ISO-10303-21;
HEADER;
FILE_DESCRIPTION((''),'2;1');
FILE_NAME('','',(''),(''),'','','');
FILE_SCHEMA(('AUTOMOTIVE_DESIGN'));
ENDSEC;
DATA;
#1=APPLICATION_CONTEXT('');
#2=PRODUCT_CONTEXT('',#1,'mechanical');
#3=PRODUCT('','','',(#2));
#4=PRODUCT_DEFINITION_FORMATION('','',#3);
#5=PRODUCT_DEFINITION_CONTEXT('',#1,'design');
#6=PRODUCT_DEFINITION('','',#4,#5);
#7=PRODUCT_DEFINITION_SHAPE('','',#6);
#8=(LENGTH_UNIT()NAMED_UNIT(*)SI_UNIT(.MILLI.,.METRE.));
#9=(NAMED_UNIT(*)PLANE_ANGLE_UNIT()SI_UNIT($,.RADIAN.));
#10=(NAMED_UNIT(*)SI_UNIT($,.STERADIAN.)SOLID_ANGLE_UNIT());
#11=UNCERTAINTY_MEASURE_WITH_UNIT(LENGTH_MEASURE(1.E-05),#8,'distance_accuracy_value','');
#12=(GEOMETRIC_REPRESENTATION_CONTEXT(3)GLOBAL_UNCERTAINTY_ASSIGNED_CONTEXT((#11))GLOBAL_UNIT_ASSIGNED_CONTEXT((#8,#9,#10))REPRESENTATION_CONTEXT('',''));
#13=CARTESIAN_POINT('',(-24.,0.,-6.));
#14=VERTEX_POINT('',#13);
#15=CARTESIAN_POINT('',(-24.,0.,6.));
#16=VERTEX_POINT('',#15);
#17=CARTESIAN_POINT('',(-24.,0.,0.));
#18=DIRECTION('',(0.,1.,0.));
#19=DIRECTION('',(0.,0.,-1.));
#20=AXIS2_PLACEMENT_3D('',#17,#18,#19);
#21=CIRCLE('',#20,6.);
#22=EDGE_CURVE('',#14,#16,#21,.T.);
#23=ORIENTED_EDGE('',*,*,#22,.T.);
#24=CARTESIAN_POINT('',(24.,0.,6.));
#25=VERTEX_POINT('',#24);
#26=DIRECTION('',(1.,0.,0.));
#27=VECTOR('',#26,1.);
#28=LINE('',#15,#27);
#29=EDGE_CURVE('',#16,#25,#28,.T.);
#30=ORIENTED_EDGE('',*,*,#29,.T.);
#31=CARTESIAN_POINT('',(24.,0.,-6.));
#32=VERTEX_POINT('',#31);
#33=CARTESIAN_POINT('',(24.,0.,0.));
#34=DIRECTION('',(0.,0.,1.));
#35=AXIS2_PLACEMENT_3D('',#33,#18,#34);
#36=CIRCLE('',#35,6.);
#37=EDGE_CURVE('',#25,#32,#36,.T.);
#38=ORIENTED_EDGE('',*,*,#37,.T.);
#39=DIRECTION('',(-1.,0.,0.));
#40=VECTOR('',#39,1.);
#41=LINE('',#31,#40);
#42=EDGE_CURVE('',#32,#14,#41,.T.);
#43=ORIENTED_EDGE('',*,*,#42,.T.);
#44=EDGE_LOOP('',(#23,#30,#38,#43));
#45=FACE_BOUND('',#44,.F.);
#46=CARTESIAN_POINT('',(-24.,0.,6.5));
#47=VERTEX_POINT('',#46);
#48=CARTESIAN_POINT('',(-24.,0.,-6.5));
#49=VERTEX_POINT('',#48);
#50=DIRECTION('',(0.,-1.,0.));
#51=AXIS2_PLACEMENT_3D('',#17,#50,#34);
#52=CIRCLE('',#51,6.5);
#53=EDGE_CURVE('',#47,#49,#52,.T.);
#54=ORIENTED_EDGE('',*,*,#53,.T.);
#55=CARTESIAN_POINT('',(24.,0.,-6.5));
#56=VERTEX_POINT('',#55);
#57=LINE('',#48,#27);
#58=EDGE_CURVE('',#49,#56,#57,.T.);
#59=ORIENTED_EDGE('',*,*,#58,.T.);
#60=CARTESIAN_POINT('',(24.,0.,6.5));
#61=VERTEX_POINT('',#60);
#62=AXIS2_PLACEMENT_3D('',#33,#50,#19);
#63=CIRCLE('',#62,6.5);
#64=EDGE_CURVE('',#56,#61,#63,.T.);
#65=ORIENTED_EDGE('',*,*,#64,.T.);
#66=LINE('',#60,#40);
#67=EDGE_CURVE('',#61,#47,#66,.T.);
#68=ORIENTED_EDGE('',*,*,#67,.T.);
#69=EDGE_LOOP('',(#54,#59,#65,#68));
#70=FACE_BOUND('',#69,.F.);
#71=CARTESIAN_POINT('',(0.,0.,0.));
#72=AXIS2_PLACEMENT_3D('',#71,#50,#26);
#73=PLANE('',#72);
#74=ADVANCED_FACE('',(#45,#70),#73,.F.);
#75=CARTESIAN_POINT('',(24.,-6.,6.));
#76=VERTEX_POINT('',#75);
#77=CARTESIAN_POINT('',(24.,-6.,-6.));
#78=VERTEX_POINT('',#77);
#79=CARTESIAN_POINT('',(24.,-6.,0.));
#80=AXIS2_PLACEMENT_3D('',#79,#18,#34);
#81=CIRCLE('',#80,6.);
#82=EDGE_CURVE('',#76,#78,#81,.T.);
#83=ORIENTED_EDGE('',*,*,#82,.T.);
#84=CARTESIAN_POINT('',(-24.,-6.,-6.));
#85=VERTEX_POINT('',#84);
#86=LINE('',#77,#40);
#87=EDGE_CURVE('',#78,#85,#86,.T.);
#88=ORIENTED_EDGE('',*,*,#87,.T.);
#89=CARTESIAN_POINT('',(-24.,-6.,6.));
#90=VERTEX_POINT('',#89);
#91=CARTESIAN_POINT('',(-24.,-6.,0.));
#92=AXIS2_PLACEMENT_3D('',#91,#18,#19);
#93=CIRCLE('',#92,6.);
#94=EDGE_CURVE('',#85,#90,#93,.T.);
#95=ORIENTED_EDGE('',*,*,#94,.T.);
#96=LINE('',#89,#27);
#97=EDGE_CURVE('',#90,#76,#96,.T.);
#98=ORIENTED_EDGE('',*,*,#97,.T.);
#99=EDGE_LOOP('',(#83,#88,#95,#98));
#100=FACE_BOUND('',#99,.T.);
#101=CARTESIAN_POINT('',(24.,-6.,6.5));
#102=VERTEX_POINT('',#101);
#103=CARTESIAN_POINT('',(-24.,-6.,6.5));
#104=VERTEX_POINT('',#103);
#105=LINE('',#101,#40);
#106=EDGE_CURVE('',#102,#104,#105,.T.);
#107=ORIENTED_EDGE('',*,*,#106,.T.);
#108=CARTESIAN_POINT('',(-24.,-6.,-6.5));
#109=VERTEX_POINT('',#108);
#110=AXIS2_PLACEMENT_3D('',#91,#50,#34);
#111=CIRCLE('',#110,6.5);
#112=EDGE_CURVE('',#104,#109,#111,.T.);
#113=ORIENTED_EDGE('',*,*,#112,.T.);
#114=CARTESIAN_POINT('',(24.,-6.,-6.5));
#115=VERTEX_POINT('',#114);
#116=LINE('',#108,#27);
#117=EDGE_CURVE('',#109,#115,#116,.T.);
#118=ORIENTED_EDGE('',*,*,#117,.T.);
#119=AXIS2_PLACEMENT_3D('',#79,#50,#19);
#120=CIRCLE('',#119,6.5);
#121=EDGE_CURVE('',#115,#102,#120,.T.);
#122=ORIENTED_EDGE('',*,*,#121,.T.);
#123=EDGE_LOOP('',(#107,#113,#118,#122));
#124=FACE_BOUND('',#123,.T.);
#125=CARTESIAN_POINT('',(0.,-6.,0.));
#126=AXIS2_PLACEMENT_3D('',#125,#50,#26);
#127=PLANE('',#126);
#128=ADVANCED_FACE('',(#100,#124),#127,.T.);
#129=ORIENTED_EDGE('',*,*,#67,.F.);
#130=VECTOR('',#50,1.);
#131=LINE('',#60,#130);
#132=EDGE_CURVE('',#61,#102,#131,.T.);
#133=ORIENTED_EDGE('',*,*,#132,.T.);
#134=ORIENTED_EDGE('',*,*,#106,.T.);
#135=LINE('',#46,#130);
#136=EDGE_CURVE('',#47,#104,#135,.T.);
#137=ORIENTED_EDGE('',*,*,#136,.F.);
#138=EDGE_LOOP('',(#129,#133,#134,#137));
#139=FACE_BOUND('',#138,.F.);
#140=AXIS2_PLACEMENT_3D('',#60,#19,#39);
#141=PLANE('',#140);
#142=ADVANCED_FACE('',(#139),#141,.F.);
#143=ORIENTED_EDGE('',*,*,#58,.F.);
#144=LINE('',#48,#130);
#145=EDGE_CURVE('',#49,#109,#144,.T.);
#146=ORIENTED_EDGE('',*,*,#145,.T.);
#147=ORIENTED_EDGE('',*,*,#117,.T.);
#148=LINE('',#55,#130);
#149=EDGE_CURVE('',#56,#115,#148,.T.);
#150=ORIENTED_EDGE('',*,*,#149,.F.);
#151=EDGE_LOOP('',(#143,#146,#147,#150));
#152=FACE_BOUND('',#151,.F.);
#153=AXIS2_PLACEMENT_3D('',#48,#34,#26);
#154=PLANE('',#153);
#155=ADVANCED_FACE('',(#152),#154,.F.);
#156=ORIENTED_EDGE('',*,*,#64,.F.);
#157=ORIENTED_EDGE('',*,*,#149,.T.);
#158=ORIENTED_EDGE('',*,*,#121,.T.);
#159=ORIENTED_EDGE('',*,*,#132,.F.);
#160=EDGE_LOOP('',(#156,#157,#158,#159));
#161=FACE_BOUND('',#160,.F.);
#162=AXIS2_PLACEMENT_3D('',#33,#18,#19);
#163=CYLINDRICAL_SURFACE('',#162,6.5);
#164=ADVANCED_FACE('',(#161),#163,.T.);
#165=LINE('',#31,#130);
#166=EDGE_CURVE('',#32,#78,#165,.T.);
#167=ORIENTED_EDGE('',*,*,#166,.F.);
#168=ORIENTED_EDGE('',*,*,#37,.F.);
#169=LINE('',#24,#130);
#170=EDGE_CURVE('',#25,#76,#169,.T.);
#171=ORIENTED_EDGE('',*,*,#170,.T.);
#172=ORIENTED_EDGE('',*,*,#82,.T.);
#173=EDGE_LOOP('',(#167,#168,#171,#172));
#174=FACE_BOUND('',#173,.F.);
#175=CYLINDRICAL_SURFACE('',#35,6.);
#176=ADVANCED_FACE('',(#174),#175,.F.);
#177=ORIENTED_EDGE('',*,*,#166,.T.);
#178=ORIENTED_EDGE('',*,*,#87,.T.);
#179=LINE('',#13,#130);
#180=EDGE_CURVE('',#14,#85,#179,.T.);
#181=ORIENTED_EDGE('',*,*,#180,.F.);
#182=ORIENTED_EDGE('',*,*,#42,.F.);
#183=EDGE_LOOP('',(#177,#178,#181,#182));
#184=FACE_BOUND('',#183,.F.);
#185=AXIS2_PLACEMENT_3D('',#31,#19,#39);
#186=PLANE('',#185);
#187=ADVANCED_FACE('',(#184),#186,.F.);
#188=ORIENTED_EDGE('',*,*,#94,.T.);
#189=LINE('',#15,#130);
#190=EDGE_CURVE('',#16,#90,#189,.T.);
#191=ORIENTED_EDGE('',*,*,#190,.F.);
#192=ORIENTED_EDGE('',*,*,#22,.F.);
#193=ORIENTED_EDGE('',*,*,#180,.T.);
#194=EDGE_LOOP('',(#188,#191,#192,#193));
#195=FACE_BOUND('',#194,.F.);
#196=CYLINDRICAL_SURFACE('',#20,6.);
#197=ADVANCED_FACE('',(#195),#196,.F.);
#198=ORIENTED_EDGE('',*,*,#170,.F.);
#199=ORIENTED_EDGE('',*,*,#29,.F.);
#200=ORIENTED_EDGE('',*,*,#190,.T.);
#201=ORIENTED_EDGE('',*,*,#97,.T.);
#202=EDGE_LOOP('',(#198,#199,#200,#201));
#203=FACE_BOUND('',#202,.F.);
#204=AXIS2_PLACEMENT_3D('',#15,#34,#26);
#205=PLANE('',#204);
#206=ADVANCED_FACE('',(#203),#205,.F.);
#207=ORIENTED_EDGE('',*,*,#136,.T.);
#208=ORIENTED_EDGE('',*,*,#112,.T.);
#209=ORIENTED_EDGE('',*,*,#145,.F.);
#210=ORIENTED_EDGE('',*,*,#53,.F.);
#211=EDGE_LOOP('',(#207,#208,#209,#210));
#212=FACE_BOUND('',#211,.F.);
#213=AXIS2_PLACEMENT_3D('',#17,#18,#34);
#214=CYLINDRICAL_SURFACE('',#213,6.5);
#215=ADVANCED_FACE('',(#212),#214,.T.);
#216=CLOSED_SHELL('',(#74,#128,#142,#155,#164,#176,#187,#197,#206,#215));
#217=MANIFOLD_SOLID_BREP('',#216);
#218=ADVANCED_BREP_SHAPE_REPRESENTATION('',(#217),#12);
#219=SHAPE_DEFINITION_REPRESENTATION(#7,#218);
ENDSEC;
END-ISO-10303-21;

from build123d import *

# Parameters (mm, degrees)
F1_DEPTH = 6


with BuildPart() as f1:
    # F0 (on Front) → F1 (new body)
    with BuildSketch(Plane.XZ):
        with BuildLine():
            Line((0, 6.5), (-24, 6.5))
            ThreePointArc((-24, 6.5), (-30.5, 0), (-24, -6.5))
            Line((-24, -6.5), (0, -6.5))
            Line((0, -6.5), (24, -6.5))
            ThreePointArc((24, -6.5), (30.5, 0), (24, 6.5))
            Line((24, 6.5), (0, 6.5))
        make_face()
        with BuildLine():
            ThreePointArc((-24, -6), (-30, 0), (-24, 6))
            Line((-24, 6), (0, 6))
            Line((0, 6), (24, 6))
            ThreePointArc((24, 6), (30, 0), (24, -6))
            Line((24, -6), (0, -6))
            Line((0, -6), (-24, -6))
        make_face(mode=Mode.SUBTRACT)
    extrude(amount=F1_DEPTH)


solid = f1.part
